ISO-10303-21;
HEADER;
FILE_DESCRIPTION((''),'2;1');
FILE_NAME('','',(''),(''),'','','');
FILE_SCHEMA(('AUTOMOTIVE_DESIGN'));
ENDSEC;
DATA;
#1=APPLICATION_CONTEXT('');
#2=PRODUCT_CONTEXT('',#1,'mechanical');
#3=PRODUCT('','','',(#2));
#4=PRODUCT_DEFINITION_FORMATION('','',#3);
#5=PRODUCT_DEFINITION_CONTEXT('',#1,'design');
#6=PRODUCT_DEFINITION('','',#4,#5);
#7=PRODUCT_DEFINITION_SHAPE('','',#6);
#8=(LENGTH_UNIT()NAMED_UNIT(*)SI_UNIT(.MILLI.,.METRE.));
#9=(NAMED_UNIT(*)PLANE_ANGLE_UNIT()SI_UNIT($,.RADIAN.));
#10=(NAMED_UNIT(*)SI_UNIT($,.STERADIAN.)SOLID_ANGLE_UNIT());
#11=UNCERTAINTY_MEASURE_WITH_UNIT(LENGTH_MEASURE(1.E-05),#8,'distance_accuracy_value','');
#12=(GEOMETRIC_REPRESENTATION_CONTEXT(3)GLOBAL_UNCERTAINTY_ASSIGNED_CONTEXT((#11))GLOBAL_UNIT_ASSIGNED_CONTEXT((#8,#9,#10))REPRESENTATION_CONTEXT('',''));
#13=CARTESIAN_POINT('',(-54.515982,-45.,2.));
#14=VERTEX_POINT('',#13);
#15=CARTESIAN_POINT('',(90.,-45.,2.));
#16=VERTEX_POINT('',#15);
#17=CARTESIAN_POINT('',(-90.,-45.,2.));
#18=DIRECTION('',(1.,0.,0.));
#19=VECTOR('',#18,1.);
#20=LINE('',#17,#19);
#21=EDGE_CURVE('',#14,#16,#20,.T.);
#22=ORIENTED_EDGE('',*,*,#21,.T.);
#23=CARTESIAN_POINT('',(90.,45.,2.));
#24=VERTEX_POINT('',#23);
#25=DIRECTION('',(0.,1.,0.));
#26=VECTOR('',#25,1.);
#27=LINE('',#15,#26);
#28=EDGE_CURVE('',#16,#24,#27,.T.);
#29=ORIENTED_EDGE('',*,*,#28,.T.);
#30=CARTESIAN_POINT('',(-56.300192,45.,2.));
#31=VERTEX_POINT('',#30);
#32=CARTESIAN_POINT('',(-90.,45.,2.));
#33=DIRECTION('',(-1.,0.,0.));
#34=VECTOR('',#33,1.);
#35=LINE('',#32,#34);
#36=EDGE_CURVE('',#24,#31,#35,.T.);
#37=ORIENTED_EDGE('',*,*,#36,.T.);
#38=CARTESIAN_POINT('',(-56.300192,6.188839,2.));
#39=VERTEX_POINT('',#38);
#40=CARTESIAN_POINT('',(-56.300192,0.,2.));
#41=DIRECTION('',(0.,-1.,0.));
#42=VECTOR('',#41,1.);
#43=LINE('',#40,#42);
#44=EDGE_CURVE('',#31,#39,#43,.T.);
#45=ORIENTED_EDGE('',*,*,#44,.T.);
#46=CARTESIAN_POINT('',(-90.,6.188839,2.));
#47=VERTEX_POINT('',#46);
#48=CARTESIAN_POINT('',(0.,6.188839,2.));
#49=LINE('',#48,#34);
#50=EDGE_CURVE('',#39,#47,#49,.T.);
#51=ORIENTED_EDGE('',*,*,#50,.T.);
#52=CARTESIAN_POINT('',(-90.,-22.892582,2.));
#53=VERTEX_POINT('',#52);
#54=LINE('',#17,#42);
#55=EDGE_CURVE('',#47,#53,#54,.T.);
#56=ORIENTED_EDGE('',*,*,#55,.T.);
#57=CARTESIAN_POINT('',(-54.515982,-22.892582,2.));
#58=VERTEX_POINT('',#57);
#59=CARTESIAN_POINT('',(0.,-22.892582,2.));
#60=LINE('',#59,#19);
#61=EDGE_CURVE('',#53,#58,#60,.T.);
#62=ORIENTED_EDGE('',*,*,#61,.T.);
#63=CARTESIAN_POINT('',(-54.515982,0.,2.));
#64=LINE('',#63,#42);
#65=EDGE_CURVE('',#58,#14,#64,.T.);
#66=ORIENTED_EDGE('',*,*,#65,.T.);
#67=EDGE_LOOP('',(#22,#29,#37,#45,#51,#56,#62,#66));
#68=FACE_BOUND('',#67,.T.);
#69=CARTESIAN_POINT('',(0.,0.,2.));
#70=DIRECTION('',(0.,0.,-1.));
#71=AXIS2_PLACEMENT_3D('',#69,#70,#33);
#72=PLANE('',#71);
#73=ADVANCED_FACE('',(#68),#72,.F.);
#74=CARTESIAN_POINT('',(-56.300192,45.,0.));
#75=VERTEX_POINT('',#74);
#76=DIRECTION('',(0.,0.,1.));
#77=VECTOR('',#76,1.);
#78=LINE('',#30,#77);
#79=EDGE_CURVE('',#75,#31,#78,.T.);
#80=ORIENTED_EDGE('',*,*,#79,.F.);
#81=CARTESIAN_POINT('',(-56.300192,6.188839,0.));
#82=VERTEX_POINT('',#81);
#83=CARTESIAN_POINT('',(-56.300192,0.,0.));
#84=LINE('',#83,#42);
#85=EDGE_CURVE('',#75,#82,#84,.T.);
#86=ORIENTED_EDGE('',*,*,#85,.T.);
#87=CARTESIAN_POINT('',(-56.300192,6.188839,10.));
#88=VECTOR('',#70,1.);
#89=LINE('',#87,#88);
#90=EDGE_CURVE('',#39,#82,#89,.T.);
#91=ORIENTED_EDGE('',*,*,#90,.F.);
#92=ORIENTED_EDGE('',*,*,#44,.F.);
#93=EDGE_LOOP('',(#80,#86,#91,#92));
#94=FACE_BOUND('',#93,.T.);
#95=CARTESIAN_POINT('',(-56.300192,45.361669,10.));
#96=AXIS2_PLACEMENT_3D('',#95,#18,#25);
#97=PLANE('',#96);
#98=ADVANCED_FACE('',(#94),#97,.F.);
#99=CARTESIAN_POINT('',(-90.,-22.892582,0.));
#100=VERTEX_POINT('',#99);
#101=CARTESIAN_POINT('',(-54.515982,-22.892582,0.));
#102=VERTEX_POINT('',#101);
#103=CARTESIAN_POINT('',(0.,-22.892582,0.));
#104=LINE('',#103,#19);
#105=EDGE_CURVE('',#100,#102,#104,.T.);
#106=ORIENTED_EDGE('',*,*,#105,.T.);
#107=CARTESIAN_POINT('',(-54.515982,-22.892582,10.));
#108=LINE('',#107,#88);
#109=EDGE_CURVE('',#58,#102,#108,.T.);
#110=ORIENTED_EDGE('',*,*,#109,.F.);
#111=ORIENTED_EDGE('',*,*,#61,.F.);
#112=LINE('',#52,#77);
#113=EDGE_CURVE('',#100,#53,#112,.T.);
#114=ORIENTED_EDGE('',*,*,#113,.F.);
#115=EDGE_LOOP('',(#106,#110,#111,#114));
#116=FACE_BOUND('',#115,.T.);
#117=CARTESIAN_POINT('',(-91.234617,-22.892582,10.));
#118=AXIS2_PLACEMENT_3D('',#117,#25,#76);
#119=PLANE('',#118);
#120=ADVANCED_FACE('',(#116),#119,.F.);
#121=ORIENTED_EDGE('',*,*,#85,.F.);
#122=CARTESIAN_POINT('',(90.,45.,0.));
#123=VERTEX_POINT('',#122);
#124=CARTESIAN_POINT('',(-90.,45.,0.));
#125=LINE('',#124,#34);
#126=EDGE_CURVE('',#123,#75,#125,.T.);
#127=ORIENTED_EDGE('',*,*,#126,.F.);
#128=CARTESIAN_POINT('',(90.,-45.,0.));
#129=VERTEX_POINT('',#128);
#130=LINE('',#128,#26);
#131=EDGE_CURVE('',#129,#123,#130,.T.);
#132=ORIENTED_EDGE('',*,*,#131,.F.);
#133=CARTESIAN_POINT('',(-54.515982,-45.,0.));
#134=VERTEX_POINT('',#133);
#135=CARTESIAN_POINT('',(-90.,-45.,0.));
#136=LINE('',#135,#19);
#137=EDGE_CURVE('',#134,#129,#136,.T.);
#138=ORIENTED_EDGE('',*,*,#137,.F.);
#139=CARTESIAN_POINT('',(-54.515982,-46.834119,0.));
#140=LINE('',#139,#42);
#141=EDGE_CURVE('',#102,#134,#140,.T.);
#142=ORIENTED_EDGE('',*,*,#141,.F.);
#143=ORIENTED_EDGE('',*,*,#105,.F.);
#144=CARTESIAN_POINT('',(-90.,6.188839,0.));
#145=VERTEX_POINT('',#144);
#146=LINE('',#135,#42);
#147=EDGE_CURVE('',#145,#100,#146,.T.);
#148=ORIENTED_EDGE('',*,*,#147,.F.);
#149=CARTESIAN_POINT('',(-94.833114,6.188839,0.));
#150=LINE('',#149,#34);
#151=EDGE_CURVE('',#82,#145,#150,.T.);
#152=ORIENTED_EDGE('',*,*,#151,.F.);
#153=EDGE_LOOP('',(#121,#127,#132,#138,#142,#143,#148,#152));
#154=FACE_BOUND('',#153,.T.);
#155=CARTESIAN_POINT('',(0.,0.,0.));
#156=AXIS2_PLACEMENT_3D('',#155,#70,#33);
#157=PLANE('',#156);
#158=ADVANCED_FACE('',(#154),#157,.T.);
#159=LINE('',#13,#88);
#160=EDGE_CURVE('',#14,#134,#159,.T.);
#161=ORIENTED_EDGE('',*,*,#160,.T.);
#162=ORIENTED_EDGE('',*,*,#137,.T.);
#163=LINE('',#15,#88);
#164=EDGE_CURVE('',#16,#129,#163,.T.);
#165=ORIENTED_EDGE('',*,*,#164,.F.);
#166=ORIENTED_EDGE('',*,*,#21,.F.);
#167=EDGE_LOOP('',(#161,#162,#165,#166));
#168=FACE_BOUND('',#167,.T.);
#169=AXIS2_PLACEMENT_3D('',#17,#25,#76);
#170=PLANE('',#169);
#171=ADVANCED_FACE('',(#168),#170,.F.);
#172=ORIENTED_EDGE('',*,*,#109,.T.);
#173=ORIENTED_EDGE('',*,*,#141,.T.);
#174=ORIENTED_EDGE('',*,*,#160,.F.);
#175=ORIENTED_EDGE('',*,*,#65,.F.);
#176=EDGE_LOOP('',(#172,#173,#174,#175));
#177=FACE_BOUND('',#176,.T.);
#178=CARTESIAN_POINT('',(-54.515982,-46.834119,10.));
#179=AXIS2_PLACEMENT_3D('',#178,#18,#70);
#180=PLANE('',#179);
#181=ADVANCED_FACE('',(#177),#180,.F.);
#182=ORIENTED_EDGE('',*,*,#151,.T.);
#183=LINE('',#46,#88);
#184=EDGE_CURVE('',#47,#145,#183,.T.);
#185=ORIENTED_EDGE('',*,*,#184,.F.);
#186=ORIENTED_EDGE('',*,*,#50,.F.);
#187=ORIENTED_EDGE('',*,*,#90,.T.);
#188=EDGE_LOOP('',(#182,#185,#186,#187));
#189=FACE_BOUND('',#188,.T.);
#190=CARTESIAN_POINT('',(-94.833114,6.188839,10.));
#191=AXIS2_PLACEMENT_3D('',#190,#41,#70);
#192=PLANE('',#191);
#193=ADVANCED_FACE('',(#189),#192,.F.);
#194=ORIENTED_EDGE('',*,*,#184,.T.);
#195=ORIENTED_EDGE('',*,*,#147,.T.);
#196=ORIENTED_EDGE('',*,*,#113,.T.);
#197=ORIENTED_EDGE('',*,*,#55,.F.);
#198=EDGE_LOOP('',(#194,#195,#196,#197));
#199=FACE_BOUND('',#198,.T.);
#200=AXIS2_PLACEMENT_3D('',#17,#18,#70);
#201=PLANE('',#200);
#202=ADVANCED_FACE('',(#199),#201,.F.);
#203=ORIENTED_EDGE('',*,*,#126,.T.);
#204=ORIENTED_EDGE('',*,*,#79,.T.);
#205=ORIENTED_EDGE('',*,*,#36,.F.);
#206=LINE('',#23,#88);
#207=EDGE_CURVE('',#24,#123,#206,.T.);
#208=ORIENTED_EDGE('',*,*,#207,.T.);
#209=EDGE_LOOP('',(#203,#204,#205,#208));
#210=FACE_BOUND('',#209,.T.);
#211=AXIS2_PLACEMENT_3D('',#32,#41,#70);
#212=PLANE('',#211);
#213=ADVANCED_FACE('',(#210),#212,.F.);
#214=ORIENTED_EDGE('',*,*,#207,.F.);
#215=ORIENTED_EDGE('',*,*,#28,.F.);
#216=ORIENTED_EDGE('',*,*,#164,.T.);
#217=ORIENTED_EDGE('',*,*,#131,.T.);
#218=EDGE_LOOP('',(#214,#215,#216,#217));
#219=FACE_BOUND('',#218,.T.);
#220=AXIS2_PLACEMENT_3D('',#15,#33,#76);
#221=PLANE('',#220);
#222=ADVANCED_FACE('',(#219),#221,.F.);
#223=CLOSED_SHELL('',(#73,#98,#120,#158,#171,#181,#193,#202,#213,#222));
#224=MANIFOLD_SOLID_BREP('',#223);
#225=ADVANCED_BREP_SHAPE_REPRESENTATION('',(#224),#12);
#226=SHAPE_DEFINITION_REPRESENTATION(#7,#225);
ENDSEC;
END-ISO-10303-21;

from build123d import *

# Parameters (mm, degrees)
SKETCH_1_W          = 180
SKETCH_1_H          = 90
EXTRUDE_1_DEPTH     = 2
SKETCH_2_W          = 38.532921991
SKETCH_2_H          = 39.172829466
SKETCH_2_W_2        = 36.71863442
SKETCH_2_H_2        = 23.941536141
CUT_EXTRUDE_1_DEPTH = 10


with BuildPart() as part:
    # 草图1 → 凸台-拉伸1 (new body)
    with BuildSketch(Plane.XY):
        Rectangle(SKETCH_1_W, SKETCH_1_H)
    extrude(amount=EXTRUDE_1_DEPTH)

    # 草图2 → 切除-拉伸1 (cut)
    with BuildSketch(Plane(origin=(0, 0, 0), x_dir=(-1, 0, 0), z_dir=(0, 0, -1))):
        with Locations((75.566653183, 25.775254146)):
            Rectangle(SKETCH_2_W, SKETCH_2_H)
        with Locations((72.875299328, -34.863350459)):
            Rectangle(SKETCH_2_W_2, SKETCH_2_H_2)
    extrude(amount=-CUT_EXTRUDE_1_DEPTH, mode=Mode.SUBTRACT)


solid = part.part
